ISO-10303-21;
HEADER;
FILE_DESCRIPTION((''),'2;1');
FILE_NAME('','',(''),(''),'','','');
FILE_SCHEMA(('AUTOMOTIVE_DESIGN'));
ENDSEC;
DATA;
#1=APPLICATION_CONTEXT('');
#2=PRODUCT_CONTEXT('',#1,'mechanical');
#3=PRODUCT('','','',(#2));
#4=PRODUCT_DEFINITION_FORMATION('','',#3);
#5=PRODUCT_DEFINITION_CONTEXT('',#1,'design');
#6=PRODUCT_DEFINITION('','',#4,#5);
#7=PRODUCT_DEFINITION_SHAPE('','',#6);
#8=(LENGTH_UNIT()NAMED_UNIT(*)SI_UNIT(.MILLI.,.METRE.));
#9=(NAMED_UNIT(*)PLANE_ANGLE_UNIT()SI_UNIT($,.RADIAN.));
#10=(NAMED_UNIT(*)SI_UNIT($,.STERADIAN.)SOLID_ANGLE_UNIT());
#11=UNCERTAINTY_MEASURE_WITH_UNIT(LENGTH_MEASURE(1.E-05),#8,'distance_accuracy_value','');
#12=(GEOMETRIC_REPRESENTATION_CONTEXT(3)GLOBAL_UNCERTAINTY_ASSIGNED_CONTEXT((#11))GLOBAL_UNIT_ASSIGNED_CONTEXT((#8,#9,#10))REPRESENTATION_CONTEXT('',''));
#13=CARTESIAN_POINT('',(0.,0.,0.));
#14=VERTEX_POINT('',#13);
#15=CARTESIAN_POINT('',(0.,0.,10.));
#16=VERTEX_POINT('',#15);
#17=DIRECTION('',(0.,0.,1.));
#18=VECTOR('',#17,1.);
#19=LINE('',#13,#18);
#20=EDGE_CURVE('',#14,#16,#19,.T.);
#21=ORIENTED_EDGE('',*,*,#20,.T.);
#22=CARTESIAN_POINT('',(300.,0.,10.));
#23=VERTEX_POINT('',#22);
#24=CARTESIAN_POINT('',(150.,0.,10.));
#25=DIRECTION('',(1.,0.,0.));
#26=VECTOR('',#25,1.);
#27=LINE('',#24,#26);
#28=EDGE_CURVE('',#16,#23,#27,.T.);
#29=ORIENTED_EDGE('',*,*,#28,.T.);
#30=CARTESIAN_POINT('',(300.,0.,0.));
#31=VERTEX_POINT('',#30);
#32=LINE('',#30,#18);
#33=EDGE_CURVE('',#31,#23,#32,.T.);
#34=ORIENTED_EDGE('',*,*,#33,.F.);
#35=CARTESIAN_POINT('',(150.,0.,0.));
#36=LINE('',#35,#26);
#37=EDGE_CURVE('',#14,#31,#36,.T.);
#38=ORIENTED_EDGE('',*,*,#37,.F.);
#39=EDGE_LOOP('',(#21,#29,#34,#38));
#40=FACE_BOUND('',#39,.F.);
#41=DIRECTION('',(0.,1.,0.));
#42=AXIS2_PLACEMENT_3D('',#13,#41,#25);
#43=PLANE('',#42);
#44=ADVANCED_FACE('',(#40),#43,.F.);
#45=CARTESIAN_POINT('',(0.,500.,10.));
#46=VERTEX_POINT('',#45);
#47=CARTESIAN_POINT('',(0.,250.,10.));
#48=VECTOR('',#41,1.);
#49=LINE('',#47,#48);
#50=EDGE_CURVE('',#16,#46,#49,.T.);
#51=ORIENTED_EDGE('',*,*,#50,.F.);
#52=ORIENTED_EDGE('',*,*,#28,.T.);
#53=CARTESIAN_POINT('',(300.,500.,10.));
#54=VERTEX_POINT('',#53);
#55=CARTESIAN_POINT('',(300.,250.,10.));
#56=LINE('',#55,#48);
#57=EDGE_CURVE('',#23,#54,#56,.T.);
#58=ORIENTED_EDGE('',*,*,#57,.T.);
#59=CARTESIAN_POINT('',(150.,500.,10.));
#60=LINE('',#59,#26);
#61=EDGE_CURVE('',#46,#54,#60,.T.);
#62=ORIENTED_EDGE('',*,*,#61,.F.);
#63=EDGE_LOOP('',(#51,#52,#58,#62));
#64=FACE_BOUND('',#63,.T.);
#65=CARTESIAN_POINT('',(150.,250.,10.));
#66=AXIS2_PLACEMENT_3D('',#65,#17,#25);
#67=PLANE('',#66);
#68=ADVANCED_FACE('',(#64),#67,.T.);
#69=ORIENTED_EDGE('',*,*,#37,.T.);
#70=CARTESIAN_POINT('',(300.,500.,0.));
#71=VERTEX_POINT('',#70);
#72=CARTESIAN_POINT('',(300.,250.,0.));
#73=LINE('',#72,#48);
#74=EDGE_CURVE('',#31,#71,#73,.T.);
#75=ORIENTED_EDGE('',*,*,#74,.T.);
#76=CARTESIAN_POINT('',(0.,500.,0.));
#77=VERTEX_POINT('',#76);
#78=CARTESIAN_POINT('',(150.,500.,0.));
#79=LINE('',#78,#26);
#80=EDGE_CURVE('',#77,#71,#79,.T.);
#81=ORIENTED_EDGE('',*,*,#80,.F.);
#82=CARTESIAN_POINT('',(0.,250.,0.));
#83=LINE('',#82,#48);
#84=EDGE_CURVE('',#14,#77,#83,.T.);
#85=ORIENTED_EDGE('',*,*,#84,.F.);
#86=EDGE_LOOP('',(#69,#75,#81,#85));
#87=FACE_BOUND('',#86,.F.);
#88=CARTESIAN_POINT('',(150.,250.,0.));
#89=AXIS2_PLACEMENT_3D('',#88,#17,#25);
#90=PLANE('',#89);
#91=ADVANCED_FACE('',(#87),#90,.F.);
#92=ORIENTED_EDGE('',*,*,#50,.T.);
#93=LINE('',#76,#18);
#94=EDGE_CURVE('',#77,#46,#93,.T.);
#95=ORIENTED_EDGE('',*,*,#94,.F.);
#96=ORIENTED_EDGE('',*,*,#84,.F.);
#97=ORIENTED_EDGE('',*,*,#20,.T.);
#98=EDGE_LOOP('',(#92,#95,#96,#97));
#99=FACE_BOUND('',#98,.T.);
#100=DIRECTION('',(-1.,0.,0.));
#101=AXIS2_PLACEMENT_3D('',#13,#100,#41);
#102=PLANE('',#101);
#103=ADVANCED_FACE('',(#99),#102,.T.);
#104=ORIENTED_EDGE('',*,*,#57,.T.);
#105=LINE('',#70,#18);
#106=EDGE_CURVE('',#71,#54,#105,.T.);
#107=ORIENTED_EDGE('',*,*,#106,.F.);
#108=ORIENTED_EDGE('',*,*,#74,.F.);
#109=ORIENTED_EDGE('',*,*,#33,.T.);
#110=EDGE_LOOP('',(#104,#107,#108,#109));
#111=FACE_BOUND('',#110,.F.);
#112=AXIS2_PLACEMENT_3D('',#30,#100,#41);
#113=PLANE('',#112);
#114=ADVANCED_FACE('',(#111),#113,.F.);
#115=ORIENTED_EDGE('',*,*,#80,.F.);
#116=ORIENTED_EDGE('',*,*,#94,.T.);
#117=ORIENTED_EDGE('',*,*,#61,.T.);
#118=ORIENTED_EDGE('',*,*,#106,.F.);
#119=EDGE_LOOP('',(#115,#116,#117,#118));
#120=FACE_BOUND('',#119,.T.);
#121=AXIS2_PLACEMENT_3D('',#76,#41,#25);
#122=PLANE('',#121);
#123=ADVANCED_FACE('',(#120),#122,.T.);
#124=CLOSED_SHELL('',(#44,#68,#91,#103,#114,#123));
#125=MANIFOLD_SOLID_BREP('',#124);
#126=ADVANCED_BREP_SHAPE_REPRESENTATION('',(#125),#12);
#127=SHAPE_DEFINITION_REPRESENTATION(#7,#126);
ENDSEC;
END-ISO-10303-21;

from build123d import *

# Parameters (mm, degrees)
SKETCH1_W      = 300
SKETCH1_H      = 500
EXTRUDE1_DEPTH = 10


with BuildPart() as part:
    # Sketch1 → Extrude1 (new body)
    with BuildSketch(Plane.XY):
        with Locations((150, 250)):
            Rectangle(SKETCH1_W, SKETCH1_H)
    extrude(amount=EXTRUDE1_DEPTH)


solid = part.part
